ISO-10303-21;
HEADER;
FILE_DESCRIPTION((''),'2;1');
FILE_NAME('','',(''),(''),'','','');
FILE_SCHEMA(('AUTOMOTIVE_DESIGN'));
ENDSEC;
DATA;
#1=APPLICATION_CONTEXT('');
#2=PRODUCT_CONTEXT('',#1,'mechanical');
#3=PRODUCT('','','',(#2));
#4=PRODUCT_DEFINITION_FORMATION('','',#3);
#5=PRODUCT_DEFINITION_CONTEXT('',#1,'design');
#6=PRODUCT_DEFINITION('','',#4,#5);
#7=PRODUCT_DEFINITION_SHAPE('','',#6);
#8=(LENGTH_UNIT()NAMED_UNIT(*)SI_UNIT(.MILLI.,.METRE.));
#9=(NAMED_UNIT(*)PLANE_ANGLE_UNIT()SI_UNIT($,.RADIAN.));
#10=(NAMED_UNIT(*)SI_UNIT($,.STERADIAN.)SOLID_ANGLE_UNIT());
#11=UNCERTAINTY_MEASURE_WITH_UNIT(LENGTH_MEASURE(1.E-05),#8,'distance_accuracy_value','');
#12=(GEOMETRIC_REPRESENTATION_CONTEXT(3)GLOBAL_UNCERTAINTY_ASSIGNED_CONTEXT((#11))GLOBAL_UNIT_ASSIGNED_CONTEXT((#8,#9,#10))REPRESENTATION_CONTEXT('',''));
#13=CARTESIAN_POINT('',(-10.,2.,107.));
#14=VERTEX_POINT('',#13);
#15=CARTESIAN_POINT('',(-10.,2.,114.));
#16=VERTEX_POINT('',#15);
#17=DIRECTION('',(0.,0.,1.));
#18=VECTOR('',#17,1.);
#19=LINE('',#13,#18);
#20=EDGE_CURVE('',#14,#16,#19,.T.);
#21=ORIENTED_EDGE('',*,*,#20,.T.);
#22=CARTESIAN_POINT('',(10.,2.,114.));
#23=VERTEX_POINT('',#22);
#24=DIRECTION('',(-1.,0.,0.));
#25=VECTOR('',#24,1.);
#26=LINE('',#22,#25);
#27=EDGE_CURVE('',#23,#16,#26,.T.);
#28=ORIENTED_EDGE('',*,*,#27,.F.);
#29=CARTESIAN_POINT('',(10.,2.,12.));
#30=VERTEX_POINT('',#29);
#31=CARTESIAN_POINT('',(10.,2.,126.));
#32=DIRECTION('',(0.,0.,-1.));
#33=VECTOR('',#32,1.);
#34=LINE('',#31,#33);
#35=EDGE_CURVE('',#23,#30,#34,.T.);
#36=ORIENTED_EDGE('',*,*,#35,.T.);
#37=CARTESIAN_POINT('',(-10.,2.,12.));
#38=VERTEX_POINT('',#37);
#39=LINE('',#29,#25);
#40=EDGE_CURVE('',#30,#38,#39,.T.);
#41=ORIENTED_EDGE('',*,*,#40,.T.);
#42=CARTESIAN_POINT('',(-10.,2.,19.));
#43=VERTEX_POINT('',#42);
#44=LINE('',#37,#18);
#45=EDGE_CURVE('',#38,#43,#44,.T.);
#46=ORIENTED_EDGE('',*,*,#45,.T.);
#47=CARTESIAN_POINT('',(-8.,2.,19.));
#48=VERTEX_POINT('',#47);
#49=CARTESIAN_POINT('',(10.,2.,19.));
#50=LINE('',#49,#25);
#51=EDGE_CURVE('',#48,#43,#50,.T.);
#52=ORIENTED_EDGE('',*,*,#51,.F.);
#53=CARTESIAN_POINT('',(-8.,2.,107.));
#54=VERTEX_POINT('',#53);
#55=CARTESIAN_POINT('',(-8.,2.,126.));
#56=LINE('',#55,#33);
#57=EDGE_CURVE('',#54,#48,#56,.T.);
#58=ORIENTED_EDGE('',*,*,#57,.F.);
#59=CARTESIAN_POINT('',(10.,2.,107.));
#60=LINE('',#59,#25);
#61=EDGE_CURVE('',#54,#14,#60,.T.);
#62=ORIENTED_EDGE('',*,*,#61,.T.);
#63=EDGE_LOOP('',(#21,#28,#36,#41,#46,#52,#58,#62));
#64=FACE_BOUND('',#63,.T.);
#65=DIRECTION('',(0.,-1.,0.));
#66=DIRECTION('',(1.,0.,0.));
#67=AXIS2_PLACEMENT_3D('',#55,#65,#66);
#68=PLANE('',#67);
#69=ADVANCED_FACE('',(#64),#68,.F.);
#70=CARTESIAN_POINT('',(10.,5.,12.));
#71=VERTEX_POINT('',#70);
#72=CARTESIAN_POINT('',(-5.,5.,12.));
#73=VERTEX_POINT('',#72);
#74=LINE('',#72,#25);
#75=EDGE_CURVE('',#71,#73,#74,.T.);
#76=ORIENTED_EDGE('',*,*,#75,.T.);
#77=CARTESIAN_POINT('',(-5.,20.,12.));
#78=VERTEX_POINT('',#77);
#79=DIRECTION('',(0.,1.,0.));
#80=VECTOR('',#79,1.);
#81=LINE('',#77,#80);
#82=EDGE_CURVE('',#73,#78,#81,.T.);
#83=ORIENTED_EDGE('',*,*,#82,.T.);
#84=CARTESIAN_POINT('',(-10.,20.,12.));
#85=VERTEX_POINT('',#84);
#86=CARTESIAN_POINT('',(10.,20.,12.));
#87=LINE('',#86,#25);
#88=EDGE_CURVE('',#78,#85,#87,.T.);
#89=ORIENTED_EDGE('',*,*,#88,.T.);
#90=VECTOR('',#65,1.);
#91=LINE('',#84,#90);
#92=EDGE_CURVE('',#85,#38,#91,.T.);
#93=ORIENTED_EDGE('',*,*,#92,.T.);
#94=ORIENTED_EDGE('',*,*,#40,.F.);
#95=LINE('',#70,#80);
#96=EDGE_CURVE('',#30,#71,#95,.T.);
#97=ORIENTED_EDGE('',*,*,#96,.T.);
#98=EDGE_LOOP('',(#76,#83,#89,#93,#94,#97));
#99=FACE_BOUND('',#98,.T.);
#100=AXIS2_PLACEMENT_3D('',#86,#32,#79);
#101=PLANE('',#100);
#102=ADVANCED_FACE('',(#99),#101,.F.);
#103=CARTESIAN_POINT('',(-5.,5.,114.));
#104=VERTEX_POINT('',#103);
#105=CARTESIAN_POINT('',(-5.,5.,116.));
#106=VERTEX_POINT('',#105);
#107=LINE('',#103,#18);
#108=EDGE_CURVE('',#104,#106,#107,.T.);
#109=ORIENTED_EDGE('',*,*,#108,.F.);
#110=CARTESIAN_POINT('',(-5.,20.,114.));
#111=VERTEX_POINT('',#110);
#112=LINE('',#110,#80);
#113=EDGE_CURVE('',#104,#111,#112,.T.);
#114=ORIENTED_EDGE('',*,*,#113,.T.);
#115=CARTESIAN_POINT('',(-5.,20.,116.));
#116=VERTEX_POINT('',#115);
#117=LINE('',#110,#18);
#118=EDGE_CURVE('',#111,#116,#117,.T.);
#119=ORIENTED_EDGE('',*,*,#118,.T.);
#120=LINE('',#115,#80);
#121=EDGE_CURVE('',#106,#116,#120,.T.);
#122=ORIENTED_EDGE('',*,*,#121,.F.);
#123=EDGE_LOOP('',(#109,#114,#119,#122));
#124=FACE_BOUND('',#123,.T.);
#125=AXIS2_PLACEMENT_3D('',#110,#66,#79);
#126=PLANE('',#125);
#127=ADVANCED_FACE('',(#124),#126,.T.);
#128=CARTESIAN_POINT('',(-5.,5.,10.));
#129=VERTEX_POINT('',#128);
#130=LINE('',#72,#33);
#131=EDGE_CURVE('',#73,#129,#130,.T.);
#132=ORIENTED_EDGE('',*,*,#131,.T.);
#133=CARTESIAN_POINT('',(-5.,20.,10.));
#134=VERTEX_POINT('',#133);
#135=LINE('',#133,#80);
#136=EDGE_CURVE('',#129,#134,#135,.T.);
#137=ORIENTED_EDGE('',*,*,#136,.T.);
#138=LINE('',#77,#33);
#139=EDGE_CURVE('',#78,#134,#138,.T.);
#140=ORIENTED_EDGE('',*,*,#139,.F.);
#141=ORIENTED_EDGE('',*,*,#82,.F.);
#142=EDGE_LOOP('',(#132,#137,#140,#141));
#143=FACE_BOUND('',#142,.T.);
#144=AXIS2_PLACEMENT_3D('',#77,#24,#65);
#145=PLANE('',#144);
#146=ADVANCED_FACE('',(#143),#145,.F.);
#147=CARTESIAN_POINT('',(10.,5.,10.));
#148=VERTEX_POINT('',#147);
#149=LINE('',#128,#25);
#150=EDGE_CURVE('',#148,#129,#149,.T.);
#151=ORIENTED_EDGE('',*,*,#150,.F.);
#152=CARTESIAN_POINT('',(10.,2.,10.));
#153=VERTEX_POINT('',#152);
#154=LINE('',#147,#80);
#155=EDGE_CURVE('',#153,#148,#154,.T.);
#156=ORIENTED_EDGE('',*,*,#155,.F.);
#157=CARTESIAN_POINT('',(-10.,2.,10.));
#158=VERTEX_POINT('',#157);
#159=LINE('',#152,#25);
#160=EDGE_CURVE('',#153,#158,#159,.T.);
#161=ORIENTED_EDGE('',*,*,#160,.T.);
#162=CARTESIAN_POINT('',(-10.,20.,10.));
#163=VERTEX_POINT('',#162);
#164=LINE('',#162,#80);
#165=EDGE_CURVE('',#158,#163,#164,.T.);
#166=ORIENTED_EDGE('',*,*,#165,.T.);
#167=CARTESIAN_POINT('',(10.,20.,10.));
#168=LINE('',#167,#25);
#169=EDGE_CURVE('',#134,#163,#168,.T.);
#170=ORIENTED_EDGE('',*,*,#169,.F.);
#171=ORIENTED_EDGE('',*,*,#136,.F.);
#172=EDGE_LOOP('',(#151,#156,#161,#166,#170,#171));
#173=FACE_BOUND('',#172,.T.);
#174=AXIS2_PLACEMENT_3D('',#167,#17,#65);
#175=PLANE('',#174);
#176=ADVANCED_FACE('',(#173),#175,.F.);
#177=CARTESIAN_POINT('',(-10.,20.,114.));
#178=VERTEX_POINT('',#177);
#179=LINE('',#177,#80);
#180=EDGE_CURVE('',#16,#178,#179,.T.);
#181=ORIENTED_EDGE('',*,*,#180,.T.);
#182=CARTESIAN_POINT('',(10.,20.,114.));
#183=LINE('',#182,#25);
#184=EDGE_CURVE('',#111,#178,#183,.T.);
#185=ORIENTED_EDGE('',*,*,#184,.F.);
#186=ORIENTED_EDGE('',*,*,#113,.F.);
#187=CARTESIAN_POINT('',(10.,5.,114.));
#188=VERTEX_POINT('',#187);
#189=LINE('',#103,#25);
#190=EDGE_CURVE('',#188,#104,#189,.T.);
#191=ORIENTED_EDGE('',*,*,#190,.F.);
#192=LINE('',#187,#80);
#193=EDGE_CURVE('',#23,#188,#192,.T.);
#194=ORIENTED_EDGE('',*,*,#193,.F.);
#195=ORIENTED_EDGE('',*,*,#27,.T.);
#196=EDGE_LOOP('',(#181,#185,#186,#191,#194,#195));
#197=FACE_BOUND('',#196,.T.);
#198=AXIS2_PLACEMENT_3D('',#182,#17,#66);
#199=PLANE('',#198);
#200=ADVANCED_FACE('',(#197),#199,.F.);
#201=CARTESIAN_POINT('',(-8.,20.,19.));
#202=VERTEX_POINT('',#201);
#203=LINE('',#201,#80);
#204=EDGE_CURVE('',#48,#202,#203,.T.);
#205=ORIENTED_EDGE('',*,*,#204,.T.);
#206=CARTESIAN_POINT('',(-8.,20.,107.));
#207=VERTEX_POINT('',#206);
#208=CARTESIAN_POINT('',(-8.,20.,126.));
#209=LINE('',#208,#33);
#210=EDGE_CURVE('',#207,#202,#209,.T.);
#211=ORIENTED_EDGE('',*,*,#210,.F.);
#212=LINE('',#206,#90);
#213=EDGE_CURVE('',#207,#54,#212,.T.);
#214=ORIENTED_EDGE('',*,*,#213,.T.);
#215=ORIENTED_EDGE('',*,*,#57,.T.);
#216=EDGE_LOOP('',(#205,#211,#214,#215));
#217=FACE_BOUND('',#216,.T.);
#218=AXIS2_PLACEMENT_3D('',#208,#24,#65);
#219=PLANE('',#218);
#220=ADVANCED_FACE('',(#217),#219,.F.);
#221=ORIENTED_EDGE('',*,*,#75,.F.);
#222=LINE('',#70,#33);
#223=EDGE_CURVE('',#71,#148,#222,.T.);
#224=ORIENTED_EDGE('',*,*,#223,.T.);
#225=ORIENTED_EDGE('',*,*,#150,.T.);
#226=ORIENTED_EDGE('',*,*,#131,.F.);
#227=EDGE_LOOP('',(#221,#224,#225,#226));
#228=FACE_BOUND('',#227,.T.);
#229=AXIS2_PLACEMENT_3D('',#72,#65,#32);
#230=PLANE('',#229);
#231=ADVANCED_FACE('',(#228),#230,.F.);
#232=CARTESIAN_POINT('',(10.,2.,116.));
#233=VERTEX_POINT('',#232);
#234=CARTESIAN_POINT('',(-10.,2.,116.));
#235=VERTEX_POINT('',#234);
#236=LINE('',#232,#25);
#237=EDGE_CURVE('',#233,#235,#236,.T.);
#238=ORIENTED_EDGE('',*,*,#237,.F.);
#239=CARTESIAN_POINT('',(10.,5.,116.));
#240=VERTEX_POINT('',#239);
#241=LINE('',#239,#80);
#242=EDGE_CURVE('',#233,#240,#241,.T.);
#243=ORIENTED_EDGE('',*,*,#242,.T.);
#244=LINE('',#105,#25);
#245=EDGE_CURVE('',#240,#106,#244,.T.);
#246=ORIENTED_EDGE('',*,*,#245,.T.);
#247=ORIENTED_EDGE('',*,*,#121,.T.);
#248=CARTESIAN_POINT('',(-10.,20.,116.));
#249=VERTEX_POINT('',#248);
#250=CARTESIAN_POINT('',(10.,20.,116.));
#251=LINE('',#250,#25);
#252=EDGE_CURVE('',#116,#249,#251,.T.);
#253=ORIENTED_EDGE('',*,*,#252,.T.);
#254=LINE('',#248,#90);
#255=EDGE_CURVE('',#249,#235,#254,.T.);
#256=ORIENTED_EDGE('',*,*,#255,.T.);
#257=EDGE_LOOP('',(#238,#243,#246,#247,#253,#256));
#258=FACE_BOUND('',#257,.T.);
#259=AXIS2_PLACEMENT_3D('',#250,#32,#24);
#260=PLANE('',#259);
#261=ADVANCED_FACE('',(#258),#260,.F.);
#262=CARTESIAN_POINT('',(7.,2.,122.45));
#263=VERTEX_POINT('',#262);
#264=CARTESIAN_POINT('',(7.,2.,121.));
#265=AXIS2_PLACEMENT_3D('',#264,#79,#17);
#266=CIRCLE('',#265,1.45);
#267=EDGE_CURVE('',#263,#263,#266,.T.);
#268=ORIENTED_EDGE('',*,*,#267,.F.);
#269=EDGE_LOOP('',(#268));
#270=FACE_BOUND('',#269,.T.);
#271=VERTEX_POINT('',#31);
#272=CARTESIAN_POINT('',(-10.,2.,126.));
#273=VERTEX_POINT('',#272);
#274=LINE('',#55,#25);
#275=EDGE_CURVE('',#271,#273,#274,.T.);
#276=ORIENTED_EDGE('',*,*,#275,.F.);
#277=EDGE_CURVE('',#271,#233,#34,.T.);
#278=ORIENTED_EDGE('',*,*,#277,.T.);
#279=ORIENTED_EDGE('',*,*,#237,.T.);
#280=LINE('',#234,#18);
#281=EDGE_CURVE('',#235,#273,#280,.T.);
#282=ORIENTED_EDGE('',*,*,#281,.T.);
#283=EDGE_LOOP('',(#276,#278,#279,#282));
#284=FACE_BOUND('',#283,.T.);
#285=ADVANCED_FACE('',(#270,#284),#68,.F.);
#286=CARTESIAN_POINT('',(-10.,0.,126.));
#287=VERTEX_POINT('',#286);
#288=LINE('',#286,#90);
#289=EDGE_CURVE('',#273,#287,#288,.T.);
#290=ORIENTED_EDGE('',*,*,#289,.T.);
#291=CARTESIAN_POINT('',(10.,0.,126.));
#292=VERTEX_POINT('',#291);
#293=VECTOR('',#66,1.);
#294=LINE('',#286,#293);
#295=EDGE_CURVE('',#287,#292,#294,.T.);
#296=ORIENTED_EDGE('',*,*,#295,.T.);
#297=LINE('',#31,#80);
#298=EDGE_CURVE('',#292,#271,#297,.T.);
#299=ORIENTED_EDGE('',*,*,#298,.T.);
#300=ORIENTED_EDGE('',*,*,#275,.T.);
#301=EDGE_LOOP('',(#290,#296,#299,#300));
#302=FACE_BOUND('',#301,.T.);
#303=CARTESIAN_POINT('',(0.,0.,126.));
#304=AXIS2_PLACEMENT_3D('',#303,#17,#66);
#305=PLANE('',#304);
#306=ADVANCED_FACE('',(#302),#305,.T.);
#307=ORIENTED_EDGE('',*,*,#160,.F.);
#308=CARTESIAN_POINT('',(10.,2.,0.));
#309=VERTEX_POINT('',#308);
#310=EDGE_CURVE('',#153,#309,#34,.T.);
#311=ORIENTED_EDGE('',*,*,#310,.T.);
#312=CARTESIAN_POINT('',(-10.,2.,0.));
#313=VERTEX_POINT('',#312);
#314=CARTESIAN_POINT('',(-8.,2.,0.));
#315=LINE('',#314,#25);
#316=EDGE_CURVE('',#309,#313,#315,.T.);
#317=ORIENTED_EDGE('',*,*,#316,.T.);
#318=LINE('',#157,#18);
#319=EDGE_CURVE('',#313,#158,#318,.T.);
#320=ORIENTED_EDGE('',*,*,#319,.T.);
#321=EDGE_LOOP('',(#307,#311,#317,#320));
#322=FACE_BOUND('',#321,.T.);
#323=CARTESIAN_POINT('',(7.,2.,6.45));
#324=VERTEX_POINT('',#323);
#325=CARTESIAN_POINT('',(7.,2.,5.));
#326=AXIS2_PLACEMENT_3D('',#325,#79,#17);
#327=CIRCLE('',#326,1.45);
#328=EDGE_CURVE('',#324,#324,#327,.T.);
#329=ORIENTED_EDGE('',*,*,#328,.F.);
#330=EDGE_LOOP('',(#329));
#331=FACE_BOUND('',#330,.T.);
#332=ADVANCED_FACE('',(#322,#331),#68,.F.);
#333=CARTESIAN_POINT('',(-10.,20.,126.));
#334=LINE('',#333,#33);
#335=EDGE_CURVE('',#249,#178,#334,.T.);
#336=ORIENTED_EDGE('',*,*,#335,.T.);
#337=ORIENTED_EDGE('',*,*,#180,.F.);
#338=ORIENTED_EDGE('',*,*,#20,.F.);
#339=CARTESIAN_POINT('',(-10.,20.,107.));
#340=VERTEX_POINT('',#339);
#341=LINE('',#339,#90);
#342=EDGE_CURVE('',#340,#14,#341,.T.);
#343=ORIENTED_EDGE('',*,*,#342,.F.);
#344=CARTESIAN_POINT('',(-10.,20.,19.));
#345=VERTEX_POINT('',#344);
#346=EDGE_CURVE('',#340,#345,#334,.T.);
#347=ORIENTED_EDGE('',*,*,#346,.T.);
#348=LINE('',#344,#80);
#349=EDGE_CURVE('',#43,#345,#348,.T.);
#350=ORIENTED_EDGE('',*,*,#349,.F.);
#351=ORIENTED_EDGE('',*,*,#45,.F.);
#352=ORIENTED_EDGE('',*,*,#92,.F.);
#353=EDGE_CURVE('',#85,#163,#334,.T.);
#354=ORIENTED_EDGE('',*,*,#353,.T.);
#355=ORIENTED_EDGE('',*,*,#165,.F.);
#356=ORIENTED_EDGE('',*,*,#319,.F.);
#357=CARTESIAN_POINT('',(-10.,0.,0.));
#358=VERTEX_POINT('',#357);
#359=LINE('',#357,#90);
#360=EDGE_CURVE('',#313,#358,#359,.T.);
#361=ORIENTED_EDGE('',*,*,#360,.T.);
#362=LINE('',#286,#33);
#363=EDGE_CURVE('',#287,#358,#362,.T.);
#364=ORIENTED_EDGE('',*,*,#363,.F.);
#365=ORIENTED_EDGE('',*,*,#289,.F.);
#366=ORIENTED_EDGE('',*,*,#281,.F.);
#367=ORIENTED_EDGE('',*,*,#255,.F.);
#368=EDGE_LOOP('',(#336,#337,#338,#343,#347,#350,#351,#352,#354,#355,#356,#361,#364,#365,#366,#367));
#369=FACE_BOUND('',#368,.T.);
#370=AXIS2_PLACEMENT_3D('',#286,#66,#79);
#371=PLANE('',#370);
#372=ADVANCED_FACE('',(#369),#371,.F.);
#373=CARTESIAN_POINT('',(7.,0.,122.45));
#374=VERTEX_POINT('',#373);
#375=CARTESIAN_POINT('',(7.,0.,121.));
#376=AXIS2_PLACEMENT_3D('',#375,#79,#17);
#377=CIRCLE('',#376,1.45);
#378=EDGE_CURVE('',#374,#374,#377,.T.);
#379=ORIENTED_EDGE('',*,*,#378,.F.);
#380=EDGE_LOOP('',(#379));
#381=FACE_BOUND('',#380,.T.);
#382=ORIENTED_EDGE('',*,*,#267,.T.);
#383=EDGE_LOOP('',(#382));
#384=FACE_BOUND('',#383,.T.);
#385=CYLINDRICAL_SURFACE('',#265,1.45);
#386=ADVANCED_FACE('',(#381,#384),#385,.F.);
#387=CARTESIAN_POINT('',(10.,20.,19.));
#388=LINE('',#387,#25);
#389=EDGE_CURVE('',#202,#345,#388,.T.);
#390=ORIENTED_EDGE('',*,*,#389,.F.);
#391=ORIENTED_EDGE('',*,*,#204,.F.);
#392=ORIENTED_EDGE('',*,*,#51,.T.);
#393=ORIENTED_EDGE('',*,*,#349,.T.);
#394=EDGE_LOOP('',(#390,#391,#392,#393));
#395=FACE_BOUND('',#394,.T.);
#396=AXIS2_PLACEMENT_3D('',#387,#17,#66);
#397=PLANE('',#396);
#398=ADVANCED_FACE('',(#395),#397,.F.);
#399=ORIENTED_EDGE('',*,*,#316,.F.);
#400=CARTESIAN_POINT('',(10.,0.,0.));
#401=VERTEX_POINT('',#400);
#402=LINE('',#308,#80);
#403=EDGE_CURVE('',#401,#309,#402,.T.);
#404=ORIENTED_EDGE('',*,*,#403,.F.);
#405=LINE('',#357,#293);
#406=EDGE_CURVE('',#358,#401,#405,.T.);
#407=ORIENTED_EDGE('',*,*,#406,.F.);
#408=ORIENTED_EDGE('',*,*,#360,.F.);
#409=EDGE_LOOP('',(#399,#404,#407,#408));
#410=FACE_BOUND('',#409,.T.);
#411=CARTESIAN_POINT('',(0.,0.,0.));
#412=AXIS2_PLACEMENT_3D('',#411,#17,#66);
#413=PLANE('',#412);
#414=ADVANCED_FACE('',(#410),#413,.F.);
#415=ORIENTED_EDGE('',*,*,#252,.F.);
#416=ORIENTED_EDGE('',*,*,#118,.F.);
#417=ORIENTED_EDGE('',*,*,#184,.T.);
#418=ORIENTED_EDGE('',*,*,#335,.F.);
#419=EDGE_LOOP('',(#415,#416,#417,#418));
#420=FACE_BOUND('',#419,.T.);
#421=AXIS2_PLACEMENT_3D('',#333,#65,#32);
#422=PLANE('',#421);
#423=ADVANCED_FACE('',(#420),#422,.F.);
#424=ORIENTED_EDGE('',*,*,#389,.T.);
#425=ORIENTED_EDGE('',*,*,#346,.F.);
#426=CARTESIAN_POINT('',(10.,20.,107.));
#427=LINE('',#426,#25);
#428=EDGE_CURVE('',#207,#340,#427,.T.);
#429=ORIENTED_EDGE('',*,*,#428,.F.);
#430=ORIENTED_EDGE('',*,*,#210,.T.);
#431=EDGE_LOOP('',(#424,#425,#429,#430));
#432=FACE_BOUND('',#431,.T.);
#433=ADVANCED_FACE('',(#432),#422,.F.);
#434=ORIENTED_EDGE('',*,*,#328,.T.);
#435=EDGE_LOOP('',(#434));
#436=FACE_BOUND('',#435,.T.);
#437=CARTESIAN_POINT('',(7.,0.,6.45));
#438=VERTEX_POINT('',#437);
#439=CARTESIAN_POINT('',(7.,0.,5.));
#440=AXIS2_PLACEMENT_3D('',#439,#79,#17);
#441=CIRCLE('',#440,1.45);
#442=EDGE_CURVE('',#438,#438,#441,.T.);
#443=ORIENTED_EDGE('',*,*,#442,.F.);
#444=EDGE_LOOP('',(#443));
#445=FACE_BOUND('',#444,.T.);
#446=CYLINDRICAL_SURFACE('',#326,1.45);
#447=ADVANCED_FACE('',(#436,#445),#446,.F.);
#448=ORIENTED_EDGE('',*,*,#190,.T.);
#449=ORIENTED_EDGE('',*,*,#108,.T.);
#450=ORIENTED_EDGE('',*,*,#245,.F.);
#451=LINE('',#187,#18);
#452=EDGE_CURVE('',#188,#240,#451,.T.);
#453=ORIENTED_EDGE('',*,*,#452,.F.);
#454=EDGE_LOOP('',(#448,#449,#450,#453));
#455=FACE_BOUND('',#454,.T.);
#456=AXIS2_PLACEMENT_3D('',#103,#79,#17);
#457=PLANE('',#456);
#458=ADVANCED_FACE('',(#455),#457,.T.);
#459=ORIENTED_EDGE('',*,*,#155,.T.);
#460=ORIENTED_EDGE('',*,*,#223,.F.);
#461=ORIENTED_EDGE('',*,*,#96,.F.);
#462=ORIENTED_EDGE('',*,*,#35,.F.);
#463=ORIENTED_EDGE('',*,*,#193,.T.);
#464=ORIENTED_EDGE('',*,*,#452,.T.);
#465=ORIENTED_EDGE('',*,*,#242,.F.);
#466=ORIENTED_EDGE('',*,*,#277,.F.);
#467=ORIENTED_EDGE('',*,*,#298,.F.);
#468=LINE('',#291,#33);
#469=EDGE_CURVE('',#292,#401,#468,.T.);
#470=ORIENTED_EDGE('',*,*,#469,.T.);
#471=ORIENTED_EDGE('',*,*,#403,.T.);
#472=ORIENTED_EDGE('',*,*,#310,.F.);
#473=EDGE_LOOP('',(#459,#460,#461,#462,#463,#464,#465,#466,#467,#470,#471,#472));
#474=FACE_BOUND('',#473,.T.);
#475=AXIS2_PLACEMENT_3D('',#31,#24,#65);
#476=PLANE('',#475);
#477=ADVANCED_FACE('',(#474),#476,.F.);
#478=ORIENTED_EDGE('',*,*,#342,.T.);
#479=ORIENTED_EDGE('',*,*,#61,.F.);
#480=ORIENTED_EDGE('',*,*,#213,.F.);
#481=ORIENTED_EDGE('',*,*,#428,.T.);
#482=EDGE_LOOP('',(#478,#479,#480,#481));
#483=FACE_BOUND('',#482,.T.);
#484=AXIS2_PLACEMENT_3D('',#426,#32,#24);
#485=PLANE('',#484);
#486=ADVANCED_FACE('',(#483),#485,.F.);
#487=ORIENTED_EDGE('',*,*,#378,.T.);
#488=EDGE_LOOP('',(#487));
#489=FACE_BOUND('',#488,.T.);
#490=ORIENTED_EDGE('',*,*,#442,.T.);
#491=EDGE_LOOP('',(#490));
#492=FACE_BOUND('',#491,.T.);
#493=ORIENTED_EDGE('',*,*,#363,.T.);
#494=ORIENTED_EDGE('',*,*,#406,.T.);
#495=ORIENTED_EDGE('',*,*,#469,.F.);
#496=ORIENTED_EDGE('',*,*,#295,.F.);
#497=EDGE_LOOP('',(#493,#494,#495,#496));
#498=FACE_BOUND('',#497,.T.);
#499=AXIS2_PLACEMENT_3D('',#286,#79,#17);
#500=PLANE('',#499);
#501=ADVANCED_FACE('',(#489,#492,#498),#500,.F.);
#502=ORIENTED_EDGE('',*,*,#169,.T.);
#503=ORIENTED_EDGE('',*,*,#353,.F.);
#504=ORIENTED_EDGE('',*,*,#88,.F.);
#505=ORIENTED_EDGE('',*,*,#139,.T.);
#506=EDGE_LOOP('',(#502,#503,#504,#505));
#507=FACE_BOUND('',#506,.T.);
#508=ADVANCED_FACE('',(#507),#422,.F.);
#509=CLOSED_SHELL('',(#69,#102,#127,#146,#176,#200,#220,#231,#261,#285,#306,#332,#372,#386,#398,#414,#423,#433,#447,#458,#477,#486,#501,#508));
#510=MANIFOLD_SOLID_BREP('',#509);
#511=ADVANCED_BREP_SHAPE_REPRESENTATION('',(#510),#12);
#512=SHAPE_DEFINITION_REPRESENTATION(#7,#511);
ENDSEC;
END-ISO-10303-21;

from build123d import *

# Parameters (mm, degrees)
BOSS_EXTRUDE1_DEPTH    = 126
SKETCH2_W              = 7
SKETCH2_H              = 18
SKETCH2_W_2            = 10
CUT_EXTRUDE1_DEPTH     = 130.135587659
BOSS_EXTRUDE2_DEPTH    = 2
M2_5_CLEARANCE_HOLE1_D = 2.9


with BuildPart() as part:
    # Sketch1 → Boss-Extrude1 (new body)
    with BuildSketch(Plane.XY):
        Polygon((-10, 0), (10, 0), (10, 2), (-8, 2), (-8, 20), (-10, 20), align=None)
    extrude(amount=BOSS_EXTRUDE1_DEPTH)

    # Sketch2 → Cut-Extrude1 (cut, through all)
    with BuildSketch(Plane.ZY.offset(10)):
        with Locations((15.5, 11)):
            Rectangle(SKETCH2_W, SKETCH2_H)
        with Locations((110.5, 11)):
            Rectangle(SKETCH2_W, SKETCH2_H)
        with Locations((5, 11)):
            Rectangle(SKETCH2_W_2, SKETCH2_H)
        with Locations((121, 11)):
            Rectangle(SKETCH2_W_2, SKETCH2_H)
    extrude(amount=-CUT_EXTRUDE1_DEPTH, mode=Mode.SUBTRACT)

    # Sketch3 → Boss-Extrude2 (add)
    with BuildSketch(Plane.XY.offset(116)):
        Polygon((-10, 20), (-5, 20), (-5, 5), (10, 5), (10, 2), (-5, 2), (-10, 2), align=None)
    boss_extrude2 = extrude(amount=-BOSS_EXTRUDE2_DEPTH)

    # M2.5 Clearance Hole1 (through all)
    with Locations(Plane(origin=(0, 2, 0), x_dir=(1, 0, 0), z_dir=(0, 1, 0))):
        with Locations((7, -121)):
            m2_5_clearance_hole1 = Hole(M2_5_CLEARANCE_HOLE1_D / 2)

    # Mirror1: Boss-Extrude2, M2.5 Clearance Hole1 across plane
    add(boss_extrude2.mirror(Plane.XY.offset(63)))
    add(m2_5_clearance_hole1.mirror(Plane.XY.offset(63)), mode=Mode.SUBTRACT)


solid = part.part
